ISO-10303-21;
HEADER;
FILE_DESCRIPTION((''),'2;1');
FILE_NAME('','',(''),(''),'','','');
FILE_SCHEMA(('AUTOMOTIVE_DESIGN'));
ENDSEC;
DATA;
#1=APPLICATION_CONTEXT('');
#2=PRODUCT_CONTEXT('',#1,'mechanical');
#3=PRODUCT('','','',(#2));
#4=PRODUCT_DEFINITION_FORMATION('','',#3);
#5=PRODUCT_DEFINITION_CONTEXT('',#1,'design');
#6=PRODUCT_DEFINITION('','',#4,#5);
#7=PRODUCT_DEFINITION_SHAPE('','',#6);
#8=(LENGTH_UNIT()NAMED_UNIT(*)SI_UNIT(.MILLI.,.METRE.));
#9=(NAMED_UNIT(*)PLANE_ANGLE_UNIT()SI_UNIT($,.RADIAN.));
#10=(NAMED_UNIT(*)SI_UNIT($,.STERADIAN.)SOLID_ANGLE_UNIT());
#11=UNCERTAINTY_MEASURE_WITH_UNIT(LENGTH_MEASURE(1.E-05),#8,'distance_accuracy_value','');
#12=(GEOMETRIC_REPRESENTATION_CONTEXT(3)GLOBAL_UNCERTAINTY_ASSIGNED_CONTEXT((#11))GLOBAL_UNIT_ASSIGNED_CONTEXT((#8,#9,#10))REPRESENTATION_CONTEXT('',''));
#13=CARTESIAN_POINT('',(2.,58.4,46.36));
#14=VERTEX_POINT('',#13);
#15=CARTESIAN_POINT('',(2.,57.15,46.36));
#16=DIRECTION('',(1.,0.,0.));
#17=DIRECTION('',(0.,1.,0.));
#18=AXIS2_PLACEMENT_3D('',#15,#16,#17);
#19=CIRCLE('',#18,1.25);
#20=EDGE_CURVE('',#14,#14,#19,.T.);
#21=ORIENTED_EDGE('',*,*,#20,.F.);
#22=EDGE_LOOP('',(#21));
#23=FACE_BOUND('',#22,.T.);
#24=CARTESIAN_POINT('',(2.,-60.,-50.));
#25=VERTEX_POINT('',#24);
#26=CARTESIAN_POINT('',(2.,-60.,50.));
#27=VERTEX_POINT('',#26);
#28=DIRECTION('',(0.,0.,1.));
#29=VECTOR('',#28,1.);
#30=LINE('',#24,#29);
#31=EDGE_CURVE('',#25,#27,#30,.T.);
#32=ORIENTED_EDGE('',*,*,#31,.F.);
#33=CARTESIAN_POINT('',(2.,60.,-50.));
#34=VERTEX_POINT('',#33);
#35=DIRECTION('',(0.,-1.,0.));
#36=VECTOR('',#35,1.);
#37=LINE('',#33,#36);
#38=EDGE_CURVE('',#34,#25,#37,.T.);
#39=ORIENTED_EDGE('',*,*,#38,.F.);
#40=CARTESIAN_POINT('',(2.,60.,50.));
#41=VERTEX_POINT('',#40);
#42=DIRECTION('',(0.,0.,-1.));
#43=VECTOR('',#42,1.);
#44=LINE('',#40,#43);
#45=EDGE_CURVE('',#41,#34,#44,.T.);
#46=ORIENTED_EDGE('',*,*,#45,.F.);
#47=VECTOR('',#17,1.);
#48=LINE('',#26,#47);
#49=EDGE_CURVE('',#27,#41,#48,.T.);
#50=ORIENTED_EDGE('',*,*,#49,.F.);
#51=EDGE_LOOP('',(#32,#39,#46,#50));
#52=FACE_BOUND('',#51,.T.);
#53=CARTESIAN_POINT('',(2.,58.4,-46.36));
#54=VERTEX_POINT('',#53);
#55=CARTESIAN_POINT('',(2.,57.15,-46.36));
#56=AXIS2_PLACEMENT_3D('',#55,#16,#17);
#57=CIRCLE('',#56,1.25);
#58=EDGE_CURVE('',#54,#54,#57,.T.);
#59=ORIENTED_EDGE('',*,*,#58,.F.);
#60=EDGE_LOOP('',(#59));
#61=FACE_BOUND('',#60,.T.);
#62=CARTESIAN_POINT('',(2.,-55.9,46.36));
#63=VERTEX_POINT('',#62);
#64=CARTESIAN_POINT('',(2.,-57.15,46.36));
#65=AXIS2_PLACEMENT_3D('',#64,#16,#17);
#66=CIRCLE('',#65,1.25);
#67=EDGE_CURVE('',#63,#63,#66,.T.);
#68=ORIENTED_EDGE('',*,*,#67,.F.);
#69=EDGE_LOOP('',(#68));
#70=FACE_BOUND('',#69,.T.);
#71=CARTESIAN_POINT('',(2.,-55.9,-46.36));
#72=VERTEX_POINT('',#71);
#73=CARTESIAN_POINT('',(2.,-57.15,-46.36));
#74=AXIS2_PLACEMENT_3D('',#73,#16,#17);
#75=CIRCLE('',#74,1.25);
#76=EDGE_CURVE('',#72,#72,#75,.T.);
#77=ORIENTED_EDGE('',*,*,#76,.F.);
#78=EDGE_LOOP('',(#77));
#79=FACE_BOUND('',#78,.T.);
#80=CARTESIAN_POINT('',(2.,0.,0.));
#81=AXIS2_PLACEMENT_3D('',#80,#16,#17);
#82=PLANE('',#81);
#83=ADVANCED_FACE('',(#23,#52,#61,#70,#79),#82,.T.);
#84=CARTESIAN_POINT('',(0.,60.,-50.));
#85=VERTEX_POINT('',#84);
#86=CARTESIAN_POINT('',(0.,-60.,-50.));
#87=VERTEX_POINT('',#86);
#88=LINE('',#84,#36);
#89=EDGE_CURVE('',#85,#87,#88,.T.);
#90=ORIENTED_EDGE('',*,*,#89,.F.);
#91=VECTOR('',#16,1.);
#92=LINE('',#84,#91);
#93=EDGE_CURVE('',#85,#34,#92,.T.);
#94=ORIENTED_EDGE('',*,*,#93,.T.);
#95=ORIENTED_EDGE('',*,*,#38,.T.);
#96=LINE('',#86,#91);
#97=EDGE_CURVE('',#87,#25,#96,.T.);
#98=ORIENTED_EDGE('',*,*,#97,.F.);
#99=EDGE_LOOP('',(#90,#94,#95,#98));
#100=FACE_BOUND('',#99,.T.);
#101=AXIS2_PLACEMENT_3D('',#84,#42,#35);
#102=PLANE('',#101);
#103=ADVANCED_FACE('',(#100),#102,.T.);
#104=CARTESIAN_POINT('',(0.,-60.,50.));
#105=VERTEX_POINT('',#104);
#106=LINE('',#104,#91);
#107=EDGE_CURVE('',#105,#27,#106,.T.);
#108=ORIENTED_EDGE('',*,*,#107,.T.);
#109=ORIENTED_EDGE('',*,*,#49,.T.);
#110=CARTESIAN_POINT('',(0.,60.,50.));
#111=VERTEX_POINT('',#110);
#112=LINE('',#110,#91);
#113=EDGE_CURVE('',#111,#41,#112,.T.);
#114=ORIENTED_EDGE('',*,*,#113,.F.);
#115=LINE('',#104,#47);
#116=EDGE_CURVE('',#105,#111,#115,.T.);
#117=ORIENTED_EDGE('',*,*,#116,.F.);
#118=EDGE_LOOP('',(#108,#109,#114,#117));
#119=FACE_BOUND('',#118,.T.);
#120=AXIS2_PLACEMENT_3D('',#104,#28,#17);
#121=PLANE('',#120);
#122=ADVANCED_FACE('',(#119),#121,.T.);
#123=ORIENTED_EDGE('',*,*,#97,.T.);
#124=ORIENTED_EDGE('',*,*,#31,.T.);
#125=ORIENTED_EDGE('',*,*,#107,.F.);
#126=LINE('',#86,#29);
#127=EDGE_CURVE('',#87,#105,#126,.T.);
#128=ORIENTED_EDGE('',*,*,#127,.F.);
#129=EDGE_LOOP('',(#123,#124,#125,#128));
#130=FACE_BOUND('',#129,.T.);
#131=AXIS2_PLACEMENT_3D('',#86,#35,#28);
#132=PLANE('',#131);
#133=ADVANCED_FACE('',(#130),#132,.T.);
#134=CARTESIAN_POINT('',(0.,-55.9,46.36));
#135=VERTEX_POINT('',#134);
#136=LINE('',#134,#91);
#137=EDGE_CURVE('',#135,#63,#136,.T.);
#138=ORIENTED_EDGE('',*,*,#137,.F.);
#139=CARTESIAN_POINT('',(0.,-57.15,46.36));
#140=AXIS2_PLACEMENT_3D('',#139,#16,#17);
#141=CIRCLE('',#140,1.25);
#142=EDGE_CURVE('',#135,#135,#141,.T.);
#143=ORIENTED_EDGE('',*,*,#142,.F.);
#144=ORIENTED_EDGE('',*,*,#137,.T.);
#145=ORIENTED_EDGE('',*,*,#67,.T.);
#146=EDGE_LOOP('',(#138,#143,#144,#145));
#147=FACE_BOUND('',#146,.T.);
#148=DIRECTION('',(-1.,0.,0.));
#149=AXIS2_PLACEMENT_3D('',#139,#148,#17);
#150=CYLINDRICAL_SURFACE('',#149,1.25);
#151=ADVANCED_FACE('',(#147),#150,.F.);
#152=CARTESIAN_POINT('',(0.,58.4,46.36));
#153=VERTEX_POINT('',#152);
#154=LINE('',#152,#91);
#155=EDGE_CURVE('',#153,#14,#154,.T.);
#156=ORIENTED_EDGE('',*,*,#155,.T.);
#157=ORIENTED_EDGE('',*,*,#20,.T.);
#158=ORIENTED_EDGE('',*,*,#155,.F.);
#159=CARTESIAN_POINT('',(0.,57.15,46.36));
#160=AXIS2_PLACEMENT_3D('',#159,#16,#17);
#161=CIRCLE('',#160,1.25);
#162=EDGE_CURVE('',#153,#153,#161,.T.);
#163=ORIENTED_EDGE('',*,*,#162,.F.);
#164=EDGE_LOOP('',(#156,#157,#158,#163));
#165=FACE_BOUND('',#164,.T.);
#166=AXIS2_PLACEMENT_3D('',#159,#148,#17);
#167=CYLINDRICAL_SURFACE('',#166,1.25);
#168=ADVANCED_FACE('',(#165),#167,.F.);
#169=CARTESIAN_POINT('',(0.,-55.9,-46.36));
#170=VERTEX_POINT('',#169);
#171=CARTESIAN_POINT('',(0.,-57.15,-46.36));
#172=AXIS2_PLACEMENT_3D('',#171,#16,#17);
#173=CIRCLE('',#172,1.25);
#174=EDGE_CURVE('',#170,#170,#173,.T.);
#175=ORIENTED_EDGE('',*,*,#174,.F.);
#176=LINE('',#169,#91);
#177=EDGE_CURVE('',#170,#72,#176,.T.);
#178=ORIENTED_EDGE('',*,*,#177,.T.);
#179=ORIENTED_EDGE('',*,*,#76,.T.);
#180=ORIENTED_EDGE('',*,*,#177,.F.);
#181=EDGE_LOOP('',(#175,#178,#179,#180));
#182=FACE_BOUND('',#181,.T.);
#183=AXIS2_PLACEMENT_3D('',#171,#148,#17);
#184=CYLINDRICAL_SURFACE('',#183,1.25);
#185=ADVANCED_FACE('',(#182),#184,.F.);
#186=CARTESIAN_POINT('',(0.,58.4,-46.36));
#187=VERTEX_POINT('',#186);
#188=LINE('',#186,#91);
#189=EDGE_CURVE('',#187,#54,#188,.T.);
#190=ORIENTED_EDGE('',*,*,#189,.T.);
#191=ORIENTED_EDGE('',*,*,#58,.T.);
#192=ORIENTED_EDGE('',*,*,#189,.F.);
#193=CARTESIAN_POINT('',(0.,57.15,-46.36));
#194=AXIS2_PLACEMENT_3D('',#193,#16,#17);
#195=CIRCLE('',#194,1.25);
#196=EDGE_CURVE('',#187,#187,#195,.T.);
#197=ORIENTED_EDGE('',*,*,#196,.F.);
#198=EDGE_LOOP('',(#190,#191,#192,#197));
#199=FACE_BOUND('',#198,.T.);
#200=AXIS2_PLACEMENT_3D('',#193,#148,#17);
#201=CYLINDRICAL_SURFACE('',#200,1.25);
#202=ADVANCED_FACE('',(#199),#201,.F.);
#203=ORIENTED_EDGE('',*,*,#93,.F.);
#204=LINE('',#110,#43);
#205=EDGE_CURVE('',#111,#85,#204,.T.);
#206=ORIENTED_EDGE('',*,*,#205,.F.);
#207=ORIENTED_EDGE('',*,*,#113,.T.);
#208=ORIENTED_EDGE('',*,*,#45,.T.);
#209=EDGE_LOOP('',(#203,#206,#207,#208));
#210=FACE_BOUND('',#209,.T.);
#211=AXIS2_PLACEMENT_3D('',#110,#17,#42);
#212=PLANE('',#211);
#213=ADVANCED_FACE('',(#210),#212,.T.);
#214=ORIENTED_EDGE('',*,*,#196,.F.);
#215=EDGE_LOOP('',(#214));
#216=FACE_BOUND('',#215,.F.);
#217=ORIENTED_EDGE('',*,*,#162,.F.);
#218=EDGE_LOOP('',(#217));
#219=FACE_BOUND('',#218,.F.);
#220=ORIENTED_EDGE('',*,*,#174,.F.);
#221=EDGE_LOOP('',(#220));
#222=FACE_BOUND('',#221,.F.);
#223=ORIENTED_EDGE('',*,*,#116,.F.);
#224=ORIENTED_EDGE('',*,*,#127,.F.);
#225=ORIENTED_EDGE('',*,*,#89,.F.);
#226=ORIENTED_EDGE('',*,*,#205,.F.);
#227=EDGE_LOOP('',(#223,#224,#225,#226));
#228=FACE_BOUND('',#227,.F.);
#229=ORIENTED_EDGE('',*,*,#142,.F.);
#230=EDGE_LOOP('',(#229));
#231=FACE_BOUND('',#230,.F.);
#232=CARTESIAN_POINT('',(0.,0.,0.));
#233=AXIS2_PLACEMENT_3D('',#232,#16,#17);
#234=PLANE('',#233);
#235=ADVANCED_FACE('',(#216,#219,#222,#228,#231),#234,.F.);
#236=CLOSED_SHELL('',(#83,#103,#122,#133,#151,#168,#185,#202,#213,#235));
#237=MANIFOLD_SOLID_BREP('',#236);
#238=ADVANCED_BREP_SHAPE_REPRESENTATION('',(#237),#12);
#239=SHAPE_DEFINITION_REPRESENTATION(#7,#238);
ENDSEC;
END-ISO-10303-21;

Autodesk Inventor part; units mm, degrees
ref_plane "YZ Plane" through (0, 0, 0) normal (1, 0, 0) x (0, 1, 0)
ref_plane "XZ Plane" through (0, 0, 0) normal (0, 1, 0) x (-1, 0, 0)
ref_plane "XY Plane" through (0, 0, 0) normal (0, 0, 1) x (1, 0, 0)
sketch "Skizze1" plane through (0, 0, 0) normal (1, 0, 0) x (0, 1, 0)
  line L0 (-60, 50) -> (60, 50)
  line L1 (60, 50) -> (60, -50)
  line L2 (60, -50) -> (-60, -50)
  line L3 (-60, -50) -> (-60, 50)
  line L4 (0, 37.4988) -> (0, -37.4988) construction
  line L5 (-78.3748, 0) -> (89.6252, 0) construction
  line L6 (-57.15, 46.36) -> (57.15, 46.36) construction
  line L7 (57.15, 46.36) -> (57.15, -46.36) construction
  line L8 (57.15, -46.36) -> (-57.15, -46.36) construction
  line L9 (-57.15, -46.36) -> (-57.15, 46.36) construction
  circle A0 centre (-57.15, 46.36) radius 1.25
  circle A1 centre (57.15, 46.36) radius 1.25
  circle A2 centre (-57.15, -46.36) radius 1.25
  circle A3 centre (57.15, -46.36) radius 1.25
  line L10 (-60, 50) -> (60.1722, 49.7926) construction
  line L11 (60.1722, 49.7926) -> (60, -50) construction
  line L12 (60, -50) -> (-60.1722, -49.7926) construction
  line L13 (-60.1722, -49.7926) -> (-60, 50) construction
  point P0 (0, 0)
  point P1 (0, 0)
  point P2 (0, 0)
  dimension "d0" = 120
  dimension "d1" = 100
  dimension "d4" = 2.5
  dimension "d5" = 114.3
  dimension "d6" = 92.72
extrude "Extrusion1" add sketch "Skizze1" along normal blind 2
properties part number "MotorController"
